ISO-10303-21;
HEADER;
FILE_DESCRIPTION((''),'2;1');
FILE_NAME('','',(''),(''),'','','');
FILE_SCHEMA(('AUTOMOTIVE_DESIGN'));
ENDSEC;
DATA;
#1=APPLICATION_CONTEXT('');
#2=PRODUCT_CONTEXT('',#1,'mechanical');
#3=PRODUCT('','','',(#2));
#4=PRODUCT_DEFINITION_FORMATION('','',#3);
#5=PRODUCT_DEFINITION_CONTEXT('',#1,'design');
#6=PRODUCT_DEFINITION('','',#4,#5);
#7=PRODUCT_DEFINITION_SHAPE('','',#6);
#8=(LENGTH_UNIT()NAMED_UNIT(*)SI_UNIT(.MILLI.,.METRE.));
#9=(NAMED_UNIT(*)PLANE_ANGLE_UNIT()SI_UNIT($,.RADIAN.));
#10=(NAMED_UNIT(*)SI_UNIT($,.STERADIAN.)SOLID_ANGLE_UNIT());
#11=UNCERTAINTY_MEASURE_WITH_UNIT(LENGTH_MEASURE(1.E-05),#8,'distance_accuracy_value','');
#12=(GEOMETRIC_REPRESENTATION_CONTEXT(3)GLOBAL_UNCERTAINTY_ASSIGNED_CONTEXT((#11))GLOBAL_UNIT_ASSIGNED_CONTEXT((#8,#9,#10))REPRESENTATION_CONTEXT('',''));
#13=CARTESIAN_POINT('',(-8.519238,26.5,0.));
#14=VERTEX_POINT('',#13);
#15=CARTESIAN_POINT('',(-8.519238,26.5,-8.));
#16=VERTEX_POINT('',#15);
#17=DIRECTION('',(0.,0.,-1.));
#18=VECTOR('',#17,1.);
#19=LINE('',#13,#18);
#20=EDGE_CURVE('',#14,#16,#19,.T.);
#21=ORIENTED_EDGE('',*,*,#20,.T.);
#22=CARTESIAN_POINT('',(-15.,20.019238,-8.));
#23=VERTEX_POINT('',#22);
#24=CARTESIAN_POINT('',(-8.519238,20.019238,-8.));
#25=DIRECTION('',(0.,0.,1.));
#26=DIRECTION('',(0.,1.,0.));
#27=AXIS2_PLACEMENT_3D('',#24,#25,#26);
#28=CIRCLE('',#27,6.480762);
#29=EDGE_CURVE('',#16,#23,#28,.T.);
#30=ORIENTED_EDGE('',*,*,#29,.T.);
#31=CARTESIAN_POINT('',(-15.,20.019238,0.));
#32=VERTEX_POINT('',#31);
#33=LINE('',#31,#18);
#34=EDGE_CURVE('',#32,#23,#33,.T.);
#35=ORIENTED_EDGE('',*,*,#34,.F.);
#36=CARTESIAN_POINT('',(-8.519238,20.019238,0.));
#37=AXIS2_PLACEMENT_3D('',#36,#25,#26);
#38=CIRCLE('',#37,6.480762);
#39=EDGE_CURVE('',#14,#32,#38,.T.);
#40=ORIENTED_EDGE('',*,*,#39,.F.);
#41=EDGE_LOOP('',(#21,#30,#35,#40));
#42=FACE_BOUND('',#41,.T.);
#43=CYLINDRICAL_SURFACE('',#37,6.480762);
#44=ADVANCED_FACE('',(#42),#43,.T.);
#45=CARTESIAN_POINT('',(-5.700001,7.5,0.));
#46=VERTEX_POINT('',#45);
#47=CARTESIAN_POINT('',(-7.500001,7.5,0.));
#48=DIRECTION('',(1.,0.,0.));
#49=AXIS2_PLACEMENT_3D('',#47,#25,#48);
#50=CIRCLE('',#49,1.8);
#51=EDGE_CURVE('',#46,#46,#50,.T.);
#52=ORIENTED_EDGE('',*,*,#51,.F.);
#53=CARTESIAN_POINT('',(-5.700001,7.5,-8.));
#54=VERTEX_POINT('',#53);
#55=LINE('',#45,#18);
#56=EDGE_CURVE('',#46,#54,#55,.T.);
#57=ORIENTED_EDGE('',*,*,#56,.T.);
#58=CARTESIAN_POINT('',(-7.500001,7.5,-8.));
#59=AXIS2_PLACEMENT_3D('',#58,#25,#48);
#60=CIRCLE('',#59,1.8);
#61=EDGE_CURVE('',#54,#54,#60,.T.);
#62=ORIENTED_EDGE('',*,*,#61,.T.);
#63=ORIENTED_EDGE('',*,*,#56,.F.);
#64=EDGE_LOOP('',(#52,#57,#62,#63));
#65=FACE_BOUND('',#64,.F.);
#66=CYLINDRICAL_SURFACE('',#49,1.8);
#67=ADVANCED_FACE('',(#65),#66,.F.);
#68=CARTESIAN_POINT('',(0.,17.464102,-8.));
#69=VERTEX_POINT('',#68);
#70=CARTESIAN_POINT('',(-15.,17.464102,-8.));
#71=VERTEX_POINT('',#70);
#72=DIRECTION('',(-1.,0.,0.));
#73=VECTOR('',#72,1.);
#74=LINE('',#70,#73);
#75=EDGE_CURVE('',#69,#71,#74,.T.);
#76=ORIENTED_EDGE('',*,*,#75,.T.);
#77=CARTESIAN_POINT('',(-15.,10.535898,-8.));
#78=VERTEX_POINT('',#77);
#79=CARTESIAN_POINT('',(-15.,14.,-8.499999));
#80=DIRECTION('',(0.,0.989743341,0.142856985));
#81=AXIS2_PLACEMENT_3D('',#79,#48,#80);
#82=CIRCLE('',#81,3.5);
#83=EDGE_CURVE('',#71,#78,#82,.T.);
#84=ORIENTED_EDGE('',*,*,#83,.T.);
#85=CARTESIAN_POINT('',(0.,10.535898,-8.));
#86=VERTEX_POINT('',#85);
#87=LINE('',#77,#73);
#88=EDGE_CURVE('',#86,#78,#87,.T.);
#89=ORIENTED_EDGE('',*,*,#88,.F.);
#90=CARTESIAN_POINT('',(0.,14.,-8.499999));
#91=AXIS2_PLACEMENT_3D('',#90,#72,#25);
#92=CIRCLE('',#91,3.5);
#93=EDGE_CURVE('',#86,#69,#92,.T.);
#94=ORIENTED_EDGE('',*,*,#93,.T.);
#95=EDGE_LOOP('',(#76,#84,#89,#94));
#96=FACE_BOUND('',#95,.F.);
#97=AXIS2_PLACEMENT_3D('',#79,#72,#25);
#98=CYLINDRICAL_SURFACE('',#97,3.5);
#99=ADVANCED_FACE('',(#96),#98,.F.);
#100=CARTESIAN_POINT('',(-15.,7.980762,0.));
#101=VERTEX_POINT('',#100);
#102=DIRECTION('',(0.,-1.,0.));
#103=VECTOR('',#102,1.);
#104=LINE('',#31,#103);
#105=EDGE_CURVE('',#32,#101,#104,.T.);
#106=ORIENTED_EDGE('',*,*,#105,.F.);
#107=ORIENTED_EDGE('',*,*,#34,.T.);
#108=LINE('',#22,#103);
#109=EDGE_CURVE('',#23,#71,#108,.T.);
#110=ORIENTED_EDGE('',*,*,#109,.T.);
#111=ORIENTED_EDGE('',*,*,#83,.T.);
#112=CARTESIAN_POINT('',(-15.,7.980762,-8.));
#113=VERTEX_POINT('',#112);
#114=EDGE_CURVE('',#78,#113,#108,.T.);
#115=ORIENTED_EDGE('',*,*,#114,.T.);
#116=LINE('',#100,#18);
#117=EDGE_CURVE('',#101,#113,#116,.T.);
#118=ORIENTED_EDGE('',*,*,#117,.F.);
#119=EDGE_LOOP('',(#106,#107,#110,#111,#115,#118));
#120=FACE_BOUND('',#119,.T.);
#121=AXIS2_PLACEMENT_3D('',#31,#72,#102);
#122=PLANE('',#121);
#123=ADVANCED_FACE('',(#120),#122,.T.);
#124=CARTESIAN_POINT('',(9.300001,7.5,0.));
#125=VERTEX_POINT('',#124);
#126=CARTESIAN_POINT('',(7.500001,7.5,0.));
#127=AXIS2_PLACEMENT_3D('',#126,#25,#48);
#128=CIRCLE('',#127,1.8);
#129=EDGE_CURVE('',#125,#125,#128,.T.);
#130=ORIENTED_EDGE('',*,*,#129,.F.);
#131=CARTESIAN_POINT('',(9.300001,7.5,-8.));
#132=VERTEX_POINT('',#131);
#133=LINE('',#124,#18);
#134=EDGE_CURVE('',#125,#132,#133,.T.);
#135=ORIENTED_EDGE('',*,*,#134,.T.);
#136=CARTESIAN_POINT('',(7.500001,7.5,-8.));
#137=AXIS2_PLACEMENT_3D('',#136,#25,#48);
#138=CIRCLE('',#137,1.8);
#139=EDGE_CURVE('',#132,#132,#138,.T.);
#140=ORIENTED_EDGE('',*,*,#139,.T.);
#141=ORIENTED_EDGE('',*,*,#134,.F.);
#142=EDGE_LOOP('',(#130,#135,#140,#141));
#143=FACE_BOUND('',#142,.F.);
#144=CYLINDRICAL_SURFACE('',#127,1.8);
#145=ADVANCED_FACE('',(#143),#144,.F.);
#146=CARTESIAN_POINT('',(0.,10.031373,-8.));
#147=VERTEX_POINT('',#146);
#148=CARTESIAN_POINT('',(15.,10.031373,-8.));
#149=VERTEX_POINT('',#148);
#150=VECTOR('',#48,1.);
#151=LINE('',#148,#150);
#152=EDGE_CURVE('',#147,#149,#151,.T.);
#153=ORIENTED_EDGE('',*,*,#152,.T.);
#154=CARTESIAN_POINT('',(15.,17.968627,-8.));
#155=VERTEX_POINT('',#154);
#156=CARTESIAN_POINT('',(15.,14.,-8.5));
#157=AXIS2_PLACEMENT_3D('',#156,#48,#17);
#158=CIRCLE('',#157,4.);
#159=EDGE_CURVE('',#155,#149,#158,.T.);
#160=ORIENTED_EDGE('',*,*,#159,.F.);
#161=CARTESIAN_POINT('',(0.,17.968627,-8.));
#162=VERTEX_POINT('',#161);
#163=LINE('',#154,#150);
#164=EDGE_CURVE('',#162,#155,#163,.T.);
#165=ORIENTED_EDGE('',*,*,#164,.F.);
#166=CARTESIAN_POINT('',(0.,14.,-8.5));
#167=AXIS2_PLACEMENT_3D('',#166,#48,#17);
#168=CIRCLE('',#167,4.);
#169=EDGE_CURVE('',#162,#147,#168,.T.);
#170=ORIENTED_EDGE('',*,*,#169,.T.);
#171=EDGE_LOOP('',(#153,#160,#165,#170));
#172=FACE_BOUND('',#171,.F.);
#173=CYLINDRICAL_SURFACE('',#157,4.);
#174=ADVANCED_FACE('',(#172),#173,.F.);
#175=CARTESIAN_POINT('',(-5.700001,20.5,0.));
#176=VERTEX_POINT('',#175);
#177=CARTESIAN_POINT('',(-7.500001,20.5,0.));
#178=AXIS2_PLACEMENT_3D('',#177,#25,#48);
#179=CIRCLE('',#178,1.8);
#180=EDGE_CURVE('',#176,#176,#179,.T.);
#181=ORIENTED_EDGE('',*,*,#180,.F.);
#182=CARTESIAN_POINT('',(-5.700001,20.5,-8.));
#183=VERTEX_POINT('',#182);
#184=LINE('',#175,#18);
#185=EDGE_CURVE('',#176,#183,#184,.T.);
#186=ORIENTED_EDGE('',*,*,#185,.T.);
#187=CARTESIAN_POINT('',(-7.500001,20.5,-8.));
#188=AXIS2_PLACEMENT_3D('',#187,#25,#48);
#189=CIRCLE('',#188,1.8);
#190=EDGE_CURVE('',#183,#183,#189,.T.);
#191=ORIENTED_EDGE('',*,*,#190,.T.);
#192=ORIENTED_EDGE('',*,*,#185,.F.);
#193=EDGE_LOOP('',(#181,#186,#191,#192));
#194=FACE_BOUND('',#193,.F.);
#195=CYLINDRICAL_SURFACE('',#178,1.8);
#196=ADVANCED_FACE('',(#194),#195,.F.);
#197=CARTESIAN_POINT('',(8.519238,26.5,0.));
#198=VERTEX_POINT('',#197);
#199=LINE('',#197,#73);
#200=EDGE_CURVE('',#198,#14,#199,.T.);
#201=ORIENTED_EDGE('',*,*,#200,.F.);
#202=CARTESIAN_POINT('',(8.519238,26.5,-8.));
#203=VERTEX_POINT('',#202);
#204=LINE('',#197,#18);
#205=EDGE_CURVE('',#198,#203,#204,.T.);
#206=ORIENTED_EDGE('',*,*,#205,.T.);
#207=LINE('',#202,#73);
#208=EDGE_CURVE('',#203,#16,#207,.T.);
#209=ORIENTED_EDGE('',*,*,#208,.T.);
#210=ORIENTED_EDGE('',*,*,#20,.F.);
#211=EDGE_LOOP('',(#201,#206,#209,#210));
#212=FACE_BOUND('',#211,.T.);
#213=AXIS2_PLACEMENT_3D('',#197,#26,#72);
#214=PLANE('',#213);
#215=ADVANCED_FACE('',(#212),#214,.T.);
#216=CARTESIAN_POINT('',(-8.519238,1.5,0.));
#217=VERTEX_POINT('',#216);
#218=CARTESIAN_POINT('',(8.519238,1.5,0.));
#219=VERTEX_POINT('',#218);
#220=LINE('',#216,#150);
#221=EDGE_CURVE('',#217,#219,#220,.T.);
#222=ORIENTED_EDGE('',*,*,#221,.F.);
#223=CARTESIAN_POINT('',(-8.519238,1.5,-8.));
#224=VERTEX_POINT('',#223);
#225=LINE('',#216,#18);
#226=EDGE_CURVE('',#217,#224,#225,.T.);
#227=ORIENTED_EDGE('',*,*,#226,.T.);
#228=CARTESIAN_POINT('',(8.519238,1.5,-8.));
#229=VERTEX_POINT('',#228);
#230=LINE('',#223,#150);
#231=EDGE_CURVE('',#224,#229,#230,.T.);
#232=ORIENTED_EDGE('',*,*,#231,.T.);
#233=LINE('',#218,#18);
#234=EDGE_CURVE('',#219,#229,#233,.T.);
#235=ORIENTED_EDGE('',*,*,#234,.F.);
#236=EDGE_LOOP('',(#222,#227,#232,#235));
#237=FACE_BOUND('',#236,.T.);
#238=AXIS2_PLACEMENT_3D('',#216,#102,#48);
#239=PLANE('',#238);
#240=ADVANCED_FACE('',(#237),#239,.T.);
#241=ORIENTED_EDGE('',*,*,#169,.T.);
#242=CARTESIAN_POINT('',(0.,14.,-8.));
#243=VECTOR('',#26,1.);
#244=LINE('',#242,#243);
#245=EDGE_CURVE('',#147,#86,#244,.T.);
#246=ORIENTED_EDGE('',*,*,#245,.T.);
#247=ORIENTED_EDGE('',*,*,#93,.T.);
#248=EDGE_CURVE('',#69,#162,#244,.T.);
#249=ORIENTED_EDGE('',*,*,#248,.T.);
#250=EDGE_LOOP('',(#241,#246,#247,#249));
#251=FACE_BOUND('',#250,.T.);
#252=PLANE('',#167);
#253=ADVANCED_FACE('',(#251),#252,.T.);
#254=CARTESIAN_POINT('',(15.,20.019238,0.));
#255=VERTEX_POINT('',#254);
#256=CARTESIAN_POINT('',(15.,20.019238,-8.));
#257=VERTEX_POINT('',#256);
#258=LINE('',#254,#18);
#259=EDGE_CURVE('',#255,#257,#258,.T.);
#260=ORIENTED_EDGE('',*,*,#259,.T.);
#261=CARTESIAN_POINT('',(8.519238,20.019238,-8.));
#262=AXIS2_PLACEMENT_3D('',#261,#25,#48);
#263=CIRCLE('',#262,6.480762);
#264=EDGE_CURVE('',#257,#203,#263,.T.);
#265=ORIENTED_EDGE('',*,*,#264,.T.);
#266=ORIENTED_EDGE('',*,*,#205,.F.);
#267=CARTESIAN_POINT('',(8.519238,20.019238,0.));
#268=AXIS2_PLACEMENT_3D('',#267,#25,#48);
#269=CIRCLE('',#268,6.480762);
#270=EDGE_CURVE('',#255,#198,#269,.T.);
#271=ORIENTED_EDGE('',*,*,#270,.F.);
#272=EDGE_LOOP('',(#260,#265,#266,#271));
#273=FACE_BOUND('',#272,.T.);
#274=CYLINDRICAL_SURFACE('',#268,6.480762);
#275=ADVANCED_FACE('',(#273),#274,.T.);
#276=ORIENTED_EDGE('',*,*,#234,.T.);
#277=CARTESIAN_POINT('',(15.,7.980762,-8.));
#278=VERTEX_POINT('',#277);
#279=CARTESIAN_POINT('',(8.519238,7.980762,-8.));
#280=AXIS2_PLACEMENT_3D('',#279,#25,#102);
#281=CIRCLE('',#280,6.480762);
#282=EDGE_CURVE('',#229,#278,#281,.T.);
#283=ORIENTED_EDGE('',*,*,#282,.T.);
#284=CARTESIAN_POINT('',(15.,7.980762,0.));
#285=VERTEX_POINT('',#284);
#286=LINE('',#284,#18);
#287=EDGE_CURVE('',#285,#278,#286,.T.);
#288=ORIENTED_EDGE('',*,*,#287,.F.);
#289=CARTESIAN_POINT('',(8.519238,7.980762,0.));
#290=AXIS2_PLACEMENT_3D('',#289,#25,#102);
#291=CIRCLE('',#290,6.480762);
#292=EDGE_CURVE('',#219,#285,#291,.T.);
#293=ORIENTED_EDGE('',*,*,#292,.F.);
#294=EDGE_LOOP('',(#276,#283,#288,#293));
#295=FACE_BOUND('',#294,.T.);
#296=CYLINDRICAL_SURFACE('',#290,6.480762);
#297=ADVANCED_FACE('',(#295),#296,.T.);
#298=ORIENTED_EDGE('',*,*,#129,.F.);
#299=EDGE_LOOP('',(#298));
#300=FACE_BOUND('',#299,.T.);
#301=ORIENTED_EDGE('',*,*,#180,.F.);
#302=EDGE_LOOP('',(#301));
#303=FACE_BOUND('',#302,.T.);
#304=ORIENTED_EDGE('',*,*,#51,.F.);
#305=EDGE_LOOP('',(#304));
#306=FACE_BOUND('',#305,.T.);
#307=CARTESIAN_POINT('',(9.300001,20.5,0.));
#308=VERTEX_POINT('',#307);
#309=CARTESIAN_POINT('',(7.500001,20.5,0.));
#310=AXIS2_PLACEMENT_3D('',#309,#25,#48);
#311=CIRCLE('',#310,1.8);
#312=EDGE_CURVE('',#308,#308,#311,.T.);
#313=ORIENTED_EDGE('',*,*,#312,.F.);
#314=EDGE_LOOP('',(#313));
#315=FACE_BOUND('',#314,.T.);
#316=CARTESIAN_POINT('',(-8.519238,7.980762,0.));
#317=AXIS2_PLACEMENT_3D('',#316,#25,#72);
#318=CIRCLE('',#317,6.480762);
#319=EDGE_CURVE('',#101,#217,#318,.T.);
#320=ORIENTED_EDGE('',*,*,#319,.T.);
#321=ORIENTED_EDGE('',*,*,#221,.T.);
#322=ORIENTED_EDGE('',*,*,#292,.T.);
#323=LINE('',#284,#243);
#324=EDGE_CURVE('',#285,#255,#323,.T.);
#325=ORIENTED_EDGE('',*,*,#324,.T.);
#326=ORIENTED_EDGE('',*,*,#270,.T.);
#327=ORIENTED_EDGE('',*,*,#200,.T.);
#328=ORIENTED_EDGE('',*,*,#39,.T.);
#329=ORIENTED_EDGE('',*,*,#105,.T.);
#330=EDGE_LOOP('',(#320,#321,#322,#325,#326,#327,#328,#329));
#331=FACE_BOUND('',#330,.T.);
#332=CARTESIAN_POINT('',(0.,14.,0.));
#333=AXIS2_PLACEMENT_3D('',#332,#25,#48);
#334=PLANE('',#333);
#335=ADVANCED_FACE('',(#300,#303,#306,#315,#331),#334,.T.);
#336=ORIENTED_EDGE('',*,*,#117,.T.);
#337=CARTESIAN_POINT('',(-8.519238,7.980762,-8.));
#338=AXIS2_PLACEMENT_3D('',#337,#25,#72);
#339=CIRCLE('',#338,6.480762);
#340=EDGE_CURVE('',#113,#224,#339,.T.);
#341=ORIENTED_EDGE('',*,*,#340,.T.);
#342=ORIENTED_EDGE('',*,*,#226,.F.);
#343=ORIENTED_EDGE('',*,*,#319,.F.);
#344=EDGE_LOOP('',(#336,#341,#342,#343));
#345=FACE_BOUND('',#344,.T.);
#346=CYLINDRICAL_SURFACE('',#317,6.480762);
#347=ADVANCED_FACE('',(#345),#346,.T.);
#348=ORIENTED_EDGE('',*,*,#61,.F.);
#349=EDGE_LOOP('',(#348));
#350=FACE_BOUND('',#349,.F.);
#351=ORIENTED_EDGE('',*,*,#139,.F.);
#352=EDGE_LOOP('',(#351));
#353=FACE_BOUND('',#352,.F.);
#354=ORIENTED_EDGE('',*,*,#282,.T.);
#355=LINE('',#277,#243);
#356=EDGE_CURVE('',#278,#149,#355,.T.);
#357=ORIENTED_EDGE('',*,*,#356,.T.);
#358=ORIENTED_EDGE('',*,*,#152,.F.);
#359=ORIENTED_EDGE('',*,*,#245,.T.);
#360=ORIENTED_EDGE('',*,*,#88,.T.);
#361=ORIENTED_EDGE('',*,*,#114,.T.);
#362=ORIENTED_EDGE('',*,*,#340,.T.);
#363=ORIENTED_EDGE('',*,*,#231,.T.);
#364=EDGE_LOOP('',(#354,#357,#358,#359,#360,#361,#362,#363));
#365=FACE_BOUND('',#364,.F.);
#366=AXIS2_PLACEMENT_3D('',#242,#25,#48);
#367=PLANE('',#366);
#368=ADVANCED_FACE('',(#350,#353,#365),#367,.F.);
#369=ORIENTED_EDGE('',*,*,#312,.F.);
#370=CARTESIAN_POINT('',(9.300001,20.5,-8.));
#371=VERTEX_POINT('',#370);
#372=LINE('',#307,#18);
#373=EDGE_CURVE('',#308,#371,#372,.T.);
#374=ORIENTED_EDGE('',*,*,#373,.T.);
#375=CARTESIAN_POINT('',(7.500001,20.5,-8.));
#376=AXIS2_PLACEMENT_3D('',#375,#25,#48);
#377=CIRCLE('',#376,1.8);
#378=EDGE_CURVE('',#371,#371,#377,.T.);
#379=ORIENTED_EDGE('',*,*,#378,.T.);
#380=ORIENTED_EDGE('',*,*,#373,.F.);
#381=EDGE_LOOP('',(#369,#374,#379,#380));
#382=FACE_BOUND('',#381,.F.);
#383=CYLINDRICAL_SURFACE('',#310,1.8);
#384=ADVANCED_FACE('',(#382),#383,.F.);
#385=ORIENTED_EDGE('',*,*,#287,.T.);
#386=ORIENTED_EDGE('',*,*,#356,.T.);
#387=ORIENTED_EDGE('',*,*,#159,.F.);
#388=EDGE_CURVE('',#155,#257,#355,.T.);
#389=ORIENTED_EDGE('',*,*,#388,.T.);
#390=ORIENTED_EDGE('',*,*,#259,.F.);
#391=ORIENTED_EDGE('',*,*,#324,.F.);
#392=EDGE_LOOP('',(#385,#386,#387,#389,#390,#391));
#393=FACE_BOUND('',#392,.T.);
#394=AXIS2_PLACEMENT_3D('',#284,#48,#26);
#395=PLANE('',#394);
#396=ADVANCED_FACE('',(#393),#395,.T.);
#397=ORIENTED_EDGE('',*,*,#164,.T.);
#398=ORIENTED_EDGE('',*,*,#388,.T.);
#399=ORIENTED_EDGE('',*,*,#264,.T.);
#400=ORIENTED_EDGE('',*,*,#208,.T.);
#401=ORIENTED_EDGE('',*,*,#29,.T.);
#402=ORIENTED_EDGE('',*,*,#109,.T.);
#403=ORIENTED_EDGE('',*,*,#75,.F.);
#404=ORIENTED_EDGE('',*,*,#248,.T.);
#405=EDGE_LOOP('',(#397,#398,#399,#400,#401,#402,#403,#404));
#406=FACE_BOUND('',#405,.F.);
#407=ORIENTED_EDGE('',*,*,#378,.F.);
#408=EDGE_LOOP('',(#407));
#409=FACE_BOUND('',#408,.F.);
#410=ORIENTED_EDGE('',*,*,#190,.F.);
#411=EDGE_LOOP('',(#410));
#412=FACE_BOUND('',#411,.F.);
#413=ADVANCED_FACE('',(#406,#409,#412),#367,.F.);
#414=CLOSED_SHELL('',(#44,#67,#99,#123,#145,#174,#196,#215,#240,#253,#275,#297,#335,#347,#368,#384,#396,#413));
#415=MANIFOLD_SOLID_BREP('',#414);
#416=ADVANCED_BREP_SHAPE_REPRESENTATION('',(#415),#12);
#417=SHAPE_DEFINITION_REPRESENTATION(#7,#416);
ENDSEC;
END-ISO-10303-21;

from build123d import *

# Parameters (mm, degrees)
SKETCH1_R           = 1.8
BOSS_EXTRUDE1_DEPTH = 8
SKETCH2_R           = 3.5
CUT_EXTRUDE1_DEPTH  = 31
SKETCH3_R           = 4
CUT_EXTRUDE2_DEPTH  = 15


with BuildPart() as part:
    # Sketch1 → Boss-Extrude1 (new body)
    with BuildSketch(Plane.XY):
        with BuildLine():
            Line((8.519238, 26.5), (-8.519238, 26.5))
            ThreePointArc((-8.519238, 26.5), (-13.101828757, 24.601828757), (-15, 20.019238))
            Line((-15, 20.019238), (-15, 7.980762))
            ThreePointArc((-15, 7.980762), (-13.101828757, 3.398171243), (-8.519238, 1.5))
            Line((-8.519238, 1.5), (8.519238, 1.5))
            ThreePointArc((8.519238, 1.5), (13.101828757, 3.398171243), (15, 7.980762))
            Line((15, 7.980762), (15, 20.019238))
            ThreePointArc((15, 20.019238), (13.101828757, 24.601828757), (8.519238, 26.5))
        make_face()
        with Locations((7.500000742, 20.499999881)):
            Circle(SKETCH1_R, mode=Mode.SUBTRACT)
        with Locations((-7.500000742, 20.499999881)):
            Circle(SKETCH1_R, mode=Mode.SUBTRACT)
        with Locations((-7.500000742, 7.500000119)):
            Circle(SKETCH1_R, mode=Mode.SUBTRACT)
        with Locations((7.500000742, 7.500000119)):
            Circle(SKETCH1_R, mode=Mode.SUBTRACT)
    extrude(amount=-BOSS_EXTRUDE1_DEPTH)

    # Sketch2 → Cut-Extrude1 (cut, through all)
    with BuildSketch(Plane.ZY.offset(15)):
        with Locations((-8.499999447, 14)):
            Circle(SKETCH2_R)
    extrude(amount=-CUT_EXTRUDE1_DEPTH, mode=Mode.SUBTRACT)

    # Sketch3 → Cut-Extrude2 (cut)
    with BuildSketch(Plane(origin=(15, 0, 0), x_dir=(0, 0, -1), z_dir=(1, 0, 0))):
        with Locations((8.499999973, 14)):
            Circle(SKETCH3_R)
    extrude(amount=-CUT_EXTRUDE2_DEPTH, mode=Mode.SUBTRACT)


solid = part.part
